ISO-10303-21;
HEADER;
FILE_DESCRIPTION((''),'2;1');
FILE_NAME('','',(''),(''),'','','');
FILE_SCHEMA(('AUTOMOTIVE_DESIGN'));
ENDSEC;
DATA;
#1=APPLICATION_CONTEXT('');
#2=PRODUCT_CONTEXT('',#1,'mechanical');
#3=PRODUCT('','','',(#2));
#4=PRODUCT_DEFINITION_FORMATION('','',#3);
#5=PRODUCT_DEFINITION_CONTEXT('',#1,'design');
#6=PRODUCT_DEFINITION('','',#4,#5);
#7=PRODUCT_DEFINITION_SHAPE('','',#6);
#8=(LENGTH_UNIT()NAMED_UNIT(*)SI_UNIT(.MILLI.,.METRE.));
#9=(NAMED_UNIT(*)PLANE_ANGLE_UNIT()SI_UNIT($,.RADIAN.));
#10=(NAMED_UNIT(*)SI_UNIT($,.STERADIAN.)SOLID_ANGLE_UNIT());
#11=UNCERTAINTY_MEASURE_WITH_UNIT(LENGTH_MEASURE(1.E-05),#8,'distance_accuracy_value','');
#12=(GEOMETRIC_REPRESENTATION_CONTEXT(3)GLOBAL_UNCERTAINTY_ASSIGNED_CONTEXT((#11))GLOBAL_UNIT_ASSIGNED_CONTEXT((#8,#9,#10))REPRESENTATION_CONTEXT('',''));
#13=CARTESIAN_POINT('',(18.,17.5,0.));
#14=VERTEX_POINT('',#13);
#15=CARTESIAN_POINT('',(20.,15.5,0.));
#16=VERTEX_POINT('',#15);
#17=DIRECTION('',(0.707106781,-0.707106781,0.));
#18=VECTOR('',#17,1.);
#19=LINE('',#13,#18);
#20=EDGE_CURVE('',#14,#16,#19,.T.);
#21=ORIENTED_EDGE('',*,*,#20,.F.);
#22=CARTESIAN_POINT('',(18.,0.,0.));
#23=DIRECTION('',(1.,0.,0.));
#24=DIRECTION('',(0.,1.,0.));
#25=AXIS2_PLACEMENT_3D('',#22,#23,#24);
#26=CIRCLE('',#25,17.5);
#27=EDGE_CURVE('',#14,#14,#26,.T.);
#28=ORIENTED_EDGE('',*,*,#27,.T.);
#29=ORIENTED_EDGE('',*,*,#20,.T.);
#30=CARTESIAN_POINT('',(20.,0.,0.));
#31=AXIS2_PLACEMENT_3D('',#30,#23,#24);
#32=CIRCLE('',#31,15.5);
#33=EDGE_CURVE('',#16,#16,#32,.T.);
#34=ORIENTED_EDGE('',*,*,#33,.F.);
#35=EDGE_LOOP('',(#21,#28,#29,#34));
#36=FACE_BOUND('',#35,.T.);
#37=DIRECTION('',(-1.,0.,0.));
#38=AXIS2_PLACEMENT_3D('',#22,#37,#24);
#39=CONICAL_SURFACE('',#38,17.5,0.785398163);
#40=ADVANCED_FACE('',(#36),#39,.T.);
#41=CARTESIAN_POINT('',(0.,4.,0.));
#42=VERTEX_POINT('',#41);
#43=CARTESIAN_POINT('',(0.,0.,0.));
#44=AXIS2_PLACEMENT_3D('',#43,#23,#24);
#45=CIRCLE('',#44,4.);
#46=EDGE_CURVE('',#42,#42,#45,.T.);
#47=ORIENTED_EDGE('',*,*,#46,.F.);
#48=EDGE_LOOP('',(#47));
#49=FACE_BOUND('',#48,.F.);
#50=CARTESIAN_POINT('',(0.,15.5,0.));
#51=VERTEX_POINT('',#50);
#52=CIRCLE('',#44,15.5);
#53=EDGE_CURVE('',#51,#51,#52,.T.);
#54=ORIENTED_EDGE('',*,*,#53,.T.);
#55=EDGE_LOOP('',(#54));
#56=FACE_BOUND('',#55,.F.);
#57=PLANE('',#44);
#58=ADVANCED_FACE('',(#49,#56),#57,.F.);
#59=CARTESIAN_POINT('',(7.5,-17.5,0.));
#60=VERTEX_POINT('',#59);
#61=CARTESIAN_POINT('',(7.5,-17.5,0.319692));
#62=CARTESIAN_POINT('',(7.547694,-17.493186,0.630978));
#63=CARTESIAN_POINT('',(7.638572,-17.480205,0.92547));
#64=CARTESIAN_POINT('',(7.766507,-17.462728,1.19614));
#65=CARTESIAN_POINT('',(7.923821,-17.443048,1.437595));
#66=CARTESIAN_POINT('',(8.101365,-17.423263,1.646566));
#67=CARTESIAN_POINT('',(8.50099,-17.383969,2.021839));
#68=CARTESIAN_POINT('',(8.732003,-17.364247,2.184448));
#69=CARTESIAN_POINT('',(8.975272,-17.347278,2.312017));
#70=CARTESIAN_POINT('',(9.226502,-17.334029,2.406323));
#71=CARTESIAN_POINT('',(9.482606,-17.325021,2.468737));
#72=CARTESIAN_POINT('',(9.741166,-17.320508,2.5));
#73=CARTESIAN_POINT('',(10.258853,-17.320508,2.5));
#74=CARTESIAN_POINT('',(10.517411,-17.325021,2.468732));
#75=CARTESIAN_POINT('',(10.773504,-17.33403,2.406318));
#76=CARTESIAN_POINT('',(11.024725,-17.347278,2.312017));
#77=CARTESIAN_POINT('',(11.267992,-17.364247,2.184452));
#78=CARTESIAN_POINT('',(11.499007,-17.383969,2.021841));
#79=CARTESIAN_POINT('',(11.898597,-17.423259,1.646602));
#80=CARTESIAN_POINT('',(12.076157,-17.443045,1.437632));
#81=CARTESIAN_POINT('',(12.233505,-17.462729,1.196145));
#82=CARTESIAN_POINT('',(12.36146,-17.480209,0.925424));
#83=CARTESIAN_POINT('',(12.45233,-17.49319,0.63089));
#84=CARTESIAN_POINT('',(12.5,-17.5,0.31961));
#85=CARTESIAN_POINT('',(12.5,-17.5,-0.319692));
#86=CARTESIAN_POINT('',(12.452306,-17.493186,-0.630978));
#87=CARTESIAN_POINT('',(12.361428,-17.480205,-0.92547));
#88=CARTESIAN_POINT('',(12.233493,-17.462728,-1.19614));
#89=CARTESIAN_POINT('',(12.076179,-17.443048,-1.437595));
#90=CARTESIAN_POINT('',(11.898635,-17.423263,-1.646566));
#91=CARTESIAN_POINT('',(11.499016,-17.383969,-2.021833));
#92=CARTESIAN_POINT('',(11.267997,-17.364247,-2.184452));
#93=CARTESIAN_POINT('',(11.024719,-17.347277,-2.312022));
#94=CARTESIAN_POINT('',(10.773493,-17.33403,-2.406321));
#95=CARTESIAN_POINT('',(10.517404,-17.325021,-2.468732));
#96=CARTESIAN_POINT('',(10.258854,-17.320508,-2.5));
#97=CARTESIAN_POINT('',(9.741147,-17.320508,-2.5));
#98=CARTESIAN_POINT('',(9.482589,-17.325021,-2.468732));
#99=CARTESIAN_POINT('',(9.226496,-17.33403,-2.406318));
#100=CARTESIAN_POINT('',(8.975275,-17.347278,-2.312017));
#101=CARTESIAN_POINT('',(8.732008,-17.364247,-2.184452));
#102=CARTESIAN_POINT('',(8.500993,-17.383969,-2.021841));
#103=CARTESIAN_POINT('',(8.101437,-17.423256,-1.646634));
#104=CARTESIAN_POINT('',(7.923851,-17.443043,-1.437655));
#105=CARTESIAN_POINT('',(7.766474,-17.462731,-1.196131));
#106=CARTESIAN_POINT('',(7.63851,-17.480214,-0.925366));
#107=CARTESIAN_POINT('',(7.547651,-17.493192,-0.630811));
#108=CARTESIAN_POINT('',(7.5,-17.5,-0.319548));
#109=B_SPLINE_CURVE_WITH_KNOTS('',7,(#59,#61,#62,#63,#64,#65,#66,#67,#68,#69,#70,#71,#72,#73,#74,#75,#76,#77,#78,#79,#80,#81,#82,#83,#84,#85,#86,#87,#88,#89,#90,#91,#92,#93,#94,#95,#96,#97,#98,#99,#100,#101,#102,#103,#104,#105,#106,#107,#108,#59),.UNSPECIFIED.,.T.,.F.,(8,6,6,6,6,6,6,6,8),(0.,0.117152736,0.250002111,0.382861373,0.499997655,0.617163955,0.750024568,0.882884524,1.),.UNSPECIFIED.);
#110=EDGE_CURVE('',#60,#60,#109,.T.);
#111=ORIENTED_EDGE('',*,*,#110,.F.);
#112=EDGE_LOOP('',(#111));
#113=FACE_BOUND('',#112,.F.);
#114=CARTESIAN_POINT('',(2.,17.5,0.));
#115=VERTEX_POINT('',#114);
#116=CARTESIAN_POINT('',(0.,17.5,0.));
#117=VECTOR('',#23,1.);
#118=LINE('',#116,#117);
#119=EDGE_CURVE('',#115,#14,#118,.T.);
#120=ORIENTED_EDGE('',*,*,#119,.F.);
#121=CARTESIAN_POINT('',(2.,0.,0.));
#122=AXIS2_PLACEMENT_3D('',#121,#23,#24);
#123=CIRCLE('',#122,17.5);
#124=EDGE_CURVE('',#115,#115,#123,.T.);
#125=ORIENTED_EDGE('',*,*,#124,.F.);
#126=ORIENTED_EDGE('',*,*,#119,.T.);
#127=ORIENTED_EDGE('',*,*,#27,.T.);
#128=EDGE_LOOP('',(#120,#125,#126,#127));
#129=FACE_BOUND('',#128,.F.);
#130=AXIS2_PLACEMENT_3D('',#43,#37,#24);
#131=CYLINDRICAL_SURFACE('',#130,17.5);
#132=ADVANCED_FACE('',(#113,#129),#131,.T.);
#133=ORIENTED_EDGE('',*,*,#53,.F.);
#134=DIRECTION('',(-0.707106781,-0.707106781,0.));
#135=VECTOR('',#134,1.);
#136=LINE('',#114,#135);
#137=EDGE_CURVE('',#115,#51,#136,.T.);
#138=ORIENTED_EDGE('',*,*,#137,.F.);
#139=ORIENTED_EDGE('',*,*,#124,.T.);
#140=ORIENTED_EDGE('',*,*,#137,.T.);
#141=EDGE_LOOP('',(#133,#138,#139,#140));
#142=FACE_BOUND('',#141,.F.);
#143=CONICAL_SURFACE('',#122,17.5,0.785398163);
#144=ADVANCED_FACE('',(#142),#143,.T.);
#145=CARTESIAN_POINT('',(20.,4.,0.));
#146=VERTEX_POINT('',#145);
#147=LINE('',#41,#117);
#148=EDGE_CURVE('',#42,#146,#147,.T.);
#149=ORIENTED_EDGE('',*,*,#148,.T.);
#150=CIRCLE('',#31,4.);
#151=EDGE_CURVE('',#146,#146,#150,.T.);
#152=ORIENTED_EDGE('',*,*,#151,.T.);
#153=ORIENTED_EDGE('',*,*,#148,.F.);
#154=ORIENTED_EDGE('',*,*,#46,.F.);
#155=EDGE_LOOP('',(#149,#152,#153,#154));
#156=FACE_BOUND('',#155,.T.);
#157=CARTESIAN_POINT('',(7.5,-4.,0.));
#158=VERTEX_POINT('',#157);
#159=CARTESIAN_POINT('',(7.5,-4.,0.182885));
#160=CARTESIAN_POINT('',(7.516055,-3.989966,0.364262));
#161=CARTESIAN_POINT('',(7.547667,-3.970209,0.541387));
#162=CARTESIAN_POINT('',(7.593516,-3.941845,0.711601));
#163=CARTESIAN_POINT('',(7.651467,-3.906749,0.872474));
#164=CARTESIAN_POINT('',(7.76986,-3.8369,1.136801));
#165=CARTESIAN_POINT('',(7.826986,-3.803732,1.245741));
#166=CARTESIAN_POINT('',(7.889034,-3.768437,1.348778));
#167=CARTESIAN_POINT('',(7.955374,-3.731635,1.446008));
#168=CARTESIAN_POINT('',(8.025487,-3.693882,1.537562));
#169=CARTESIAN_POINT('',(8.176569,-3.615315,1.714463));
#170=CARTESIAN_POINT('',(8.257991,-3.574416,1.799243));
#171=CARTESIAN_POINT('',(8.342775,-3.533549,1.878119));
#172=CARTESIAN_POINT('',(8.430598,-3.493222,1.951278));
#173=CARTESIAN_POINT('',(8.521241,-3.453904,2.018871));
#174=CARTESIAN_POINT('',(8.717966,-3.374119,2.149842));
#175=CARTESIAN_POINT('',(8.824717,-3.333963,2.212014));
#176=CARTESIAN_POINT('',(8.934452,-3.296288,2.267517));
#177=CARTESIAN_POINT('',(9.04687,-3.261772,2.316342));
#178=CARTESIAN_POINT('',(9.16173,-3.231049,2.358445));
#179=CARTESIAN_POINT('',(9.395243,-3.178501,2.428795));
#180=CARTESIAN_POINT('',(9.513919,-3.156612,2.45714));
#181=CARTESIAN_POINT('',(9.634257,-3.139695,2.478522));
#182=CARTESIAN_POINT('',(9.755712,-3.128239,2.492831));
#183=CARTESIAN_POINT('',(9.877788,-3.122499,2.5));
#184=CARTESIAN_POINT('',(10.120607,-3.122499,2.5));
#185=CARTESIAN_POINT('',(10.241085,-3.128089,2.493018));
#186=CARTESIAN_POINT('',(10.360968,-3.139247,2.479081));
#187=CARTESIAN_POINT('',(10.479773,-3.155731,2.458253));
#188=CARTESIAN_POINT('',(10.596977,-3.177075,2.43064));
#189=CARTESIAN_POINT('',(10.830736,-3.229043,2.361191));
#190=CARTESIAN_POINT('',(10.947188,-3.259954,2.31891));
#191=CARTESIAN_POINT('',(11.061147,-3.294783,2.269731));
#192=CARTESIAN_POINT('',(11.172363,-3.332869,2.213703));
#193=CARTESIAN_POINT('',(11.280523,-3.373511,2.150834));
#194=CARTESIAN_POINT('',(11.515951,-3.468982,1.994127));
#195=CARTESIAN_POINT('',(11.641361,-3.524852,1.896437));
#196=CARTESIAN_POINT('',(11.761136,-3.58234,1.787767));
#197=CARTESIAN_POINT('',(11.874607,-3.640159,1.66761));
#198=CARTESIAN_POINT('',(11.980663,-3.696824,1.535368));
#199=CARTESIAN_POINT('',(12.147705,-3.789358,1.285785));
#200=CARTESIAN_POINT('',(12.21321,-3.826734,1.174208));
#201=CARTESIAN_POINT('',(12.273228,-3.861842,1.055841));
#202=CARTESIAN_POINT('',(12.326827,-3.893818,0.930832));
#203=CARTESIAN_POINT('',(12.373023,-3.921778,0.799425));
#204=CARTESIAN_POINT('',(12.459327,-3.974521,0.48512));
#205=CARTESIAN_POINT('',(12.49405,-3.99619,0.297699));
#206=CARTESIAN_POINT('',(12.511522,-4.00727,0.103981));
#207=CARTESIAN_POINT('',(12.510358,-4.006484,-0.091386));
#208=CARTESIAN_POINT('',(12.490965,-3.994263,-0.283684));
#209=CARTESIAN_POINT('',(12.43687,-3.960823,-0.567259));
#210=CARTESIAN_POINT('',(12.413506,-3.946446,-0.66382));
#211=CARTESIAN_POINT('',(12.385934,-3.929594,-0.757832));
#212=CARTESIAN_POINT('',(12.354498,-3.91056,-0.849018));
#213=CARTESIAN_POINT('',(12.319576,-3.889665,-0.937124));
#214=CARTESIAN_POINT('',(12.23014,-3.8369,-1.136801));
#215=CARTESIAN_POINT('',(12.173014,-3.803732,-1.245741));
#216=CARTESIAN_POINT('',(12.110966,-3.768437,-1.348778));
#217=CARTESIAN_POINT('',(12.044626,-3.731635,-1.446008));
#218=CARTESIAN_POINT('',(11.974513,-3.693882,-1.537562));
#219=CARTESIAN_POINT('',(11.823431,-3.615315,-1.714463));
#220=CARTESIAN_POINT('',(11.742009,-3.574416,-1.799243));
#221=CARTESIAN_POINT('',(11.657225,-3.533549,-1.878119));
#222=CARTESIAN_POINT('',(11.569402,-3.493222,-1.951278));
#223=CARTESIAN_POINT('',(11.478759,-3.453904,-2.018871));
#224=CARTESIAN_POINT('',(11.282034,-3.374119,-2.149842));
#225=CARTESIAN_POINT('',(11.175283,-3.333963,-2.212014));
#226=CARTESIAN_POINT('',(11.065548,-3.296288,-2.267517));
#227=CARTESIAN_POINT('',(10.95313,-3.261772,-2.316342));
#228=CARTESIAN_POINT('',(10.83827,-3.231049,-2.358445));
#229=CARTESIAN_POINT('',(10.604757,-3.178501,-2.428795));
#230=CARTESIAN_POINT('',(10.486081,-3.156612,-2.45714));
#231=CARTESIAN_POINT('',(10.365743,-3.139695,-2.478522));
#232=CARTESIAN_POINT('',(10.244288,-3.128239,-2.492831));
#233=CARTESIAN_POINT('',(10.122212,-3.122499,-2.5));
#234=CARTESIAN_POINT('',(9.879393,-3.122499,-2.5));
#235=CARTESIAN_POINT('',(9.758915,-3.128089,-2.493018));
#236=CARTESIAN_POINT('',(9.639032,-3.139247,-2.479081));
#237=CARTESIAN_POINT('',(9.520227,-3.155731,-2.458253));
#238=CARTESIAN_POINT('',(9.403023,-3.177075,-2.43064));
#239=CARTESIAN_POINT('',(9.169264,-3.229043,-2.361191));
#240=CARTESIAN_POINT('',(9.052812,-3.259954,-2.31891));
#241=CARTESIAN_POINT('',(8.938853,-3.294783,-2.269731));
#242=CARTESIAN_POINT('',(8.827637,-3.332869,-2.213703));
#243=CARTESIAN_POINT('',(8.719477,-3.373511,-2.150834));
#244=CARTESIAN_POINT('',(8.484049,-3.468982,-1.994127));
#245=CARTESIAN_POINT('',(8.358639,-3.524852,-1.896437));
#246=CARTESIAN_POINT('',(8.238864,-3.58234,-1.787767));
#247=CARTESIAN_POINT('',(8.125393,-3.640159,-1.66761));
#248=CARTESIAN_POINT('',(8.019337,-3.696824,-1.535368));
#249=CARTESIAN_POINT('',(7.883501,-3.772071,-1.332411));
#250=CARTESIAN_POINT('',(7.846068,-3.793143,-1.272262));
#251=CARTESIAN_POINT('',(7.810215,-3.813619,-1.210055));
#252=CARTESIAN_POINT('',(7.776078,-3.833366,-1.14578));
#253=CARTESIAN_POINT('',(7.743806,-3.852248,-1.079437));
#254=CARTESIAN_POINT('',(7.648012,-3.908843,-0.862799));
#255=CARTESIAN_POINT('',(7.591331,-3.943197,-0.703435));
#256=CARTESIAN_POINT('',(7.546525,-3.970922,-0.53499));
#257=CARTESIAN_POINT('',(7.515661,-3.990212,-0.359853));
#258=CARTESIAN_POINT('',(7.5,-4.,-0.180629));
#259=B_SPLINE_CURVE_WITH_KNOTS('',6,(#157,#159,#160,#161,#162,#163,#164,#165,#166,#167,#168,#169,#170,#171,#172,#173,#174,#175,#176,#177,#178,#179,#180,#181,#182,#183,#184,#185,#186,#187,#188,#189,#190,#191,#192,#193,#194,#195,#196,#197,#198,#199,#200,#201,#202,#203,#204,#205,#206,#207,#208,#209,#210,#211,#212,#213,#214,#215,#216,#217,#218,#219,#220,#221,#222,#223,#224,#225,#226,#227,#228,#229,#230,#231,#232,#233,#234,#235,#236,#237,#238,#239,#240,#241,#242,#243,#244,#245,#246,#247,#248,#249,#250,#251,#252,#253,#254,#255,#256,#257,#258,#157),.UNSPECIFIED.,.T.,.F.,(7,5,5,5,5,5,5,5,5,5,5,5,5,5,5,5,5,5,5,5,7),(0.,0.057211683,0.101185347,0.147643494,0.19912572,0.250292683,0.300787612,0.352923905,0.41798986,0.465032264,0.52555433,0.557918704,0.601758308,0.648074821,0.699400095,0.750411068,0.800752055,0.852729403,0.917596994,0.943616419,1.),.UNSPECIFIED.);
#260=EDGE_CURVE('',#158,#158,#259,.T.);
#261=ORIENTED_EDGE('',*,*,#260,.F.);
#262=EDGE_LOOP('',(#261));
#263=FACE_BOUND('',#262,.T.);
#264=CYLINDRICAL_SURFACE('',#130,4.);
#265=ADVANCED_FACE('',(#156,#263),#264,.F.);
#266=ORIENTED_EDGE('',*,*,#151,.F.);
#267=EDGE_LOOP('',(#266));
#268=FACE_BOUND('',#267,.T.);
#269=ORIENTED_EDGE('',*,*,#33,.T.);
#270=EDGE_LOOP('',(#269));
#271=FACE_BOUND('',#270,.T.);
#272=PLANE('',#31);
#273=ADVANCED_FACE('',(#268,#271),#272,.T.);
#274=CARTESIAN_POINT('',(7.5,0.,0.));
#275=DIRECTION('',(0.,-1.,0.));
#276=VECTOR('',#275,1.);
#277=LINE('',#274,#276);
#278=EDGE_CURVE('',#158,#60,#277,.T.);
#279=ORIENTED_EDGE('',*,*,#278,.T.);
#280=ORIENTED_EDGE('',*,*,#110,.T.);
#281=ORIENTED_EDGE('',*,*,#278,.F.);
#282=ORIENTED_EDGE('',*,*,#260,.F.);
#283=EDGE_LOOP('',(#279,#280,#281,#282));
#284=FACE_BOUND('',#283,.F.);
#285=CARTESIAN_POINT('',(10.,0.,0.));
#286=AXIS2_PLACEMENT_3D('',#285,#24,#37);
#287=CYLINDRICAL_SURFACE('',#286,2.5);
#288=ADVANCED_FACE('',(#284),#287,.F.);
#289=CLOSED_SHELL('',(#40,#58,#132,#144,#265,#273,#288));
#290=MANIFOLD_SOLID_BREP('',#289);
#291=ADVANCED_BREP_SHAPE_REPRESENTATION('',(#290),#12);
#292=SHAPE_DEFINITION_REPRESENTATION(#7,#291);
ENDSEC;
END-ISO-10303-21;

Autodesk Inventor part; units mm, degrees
ref_plane "YZ Plane" through (0, 0, 0) normal (1, 0, 0) x (0, 1, 0)
ref_plane "XZ Plane" through (0, 0, 0) normal (0, 1, 0) x (-1, 0, 0)
ref_plane "XY Plane" through (0, 0, 0) normal (0, 0, 1) x (1, 0, 0)
sketch "Sketch1" plane through (0, 0, 0) normal (1, 0, 0) x (0, 1, 0)
  circle A0 centre (0, 0) radius 4
  circle A1 centre (0, 0) radius 17.5
  dimension "d0" = 8
  dimension "d1" = 35
extrude "Extrusion1" add sketch "Sketch1" along normal blind 20
chamfer "Chamfer1" distance 2 angle 45 2 edges at (0, -17.5, 0) (20, -17.5, 0)
sketch "Sketch2" plane through (0, 0, 0) normal (0, 1, 0) x (-1, 0, 0)
  line L0 (0, 0) -> (-10, 0)
  circle A0 centre (-10, 0) radius 2.5
  dimension "d7" = 10
  dimension "d8" = 5
extrude "Extrusion2" cut sketch "Sketch2" against normal blind 20
thread "Thread1" size "M5x0.8" class "6H" standard "ANSI Metric M Profile" length 15
properties part number "counterweight#" material "Stainless Steel"
